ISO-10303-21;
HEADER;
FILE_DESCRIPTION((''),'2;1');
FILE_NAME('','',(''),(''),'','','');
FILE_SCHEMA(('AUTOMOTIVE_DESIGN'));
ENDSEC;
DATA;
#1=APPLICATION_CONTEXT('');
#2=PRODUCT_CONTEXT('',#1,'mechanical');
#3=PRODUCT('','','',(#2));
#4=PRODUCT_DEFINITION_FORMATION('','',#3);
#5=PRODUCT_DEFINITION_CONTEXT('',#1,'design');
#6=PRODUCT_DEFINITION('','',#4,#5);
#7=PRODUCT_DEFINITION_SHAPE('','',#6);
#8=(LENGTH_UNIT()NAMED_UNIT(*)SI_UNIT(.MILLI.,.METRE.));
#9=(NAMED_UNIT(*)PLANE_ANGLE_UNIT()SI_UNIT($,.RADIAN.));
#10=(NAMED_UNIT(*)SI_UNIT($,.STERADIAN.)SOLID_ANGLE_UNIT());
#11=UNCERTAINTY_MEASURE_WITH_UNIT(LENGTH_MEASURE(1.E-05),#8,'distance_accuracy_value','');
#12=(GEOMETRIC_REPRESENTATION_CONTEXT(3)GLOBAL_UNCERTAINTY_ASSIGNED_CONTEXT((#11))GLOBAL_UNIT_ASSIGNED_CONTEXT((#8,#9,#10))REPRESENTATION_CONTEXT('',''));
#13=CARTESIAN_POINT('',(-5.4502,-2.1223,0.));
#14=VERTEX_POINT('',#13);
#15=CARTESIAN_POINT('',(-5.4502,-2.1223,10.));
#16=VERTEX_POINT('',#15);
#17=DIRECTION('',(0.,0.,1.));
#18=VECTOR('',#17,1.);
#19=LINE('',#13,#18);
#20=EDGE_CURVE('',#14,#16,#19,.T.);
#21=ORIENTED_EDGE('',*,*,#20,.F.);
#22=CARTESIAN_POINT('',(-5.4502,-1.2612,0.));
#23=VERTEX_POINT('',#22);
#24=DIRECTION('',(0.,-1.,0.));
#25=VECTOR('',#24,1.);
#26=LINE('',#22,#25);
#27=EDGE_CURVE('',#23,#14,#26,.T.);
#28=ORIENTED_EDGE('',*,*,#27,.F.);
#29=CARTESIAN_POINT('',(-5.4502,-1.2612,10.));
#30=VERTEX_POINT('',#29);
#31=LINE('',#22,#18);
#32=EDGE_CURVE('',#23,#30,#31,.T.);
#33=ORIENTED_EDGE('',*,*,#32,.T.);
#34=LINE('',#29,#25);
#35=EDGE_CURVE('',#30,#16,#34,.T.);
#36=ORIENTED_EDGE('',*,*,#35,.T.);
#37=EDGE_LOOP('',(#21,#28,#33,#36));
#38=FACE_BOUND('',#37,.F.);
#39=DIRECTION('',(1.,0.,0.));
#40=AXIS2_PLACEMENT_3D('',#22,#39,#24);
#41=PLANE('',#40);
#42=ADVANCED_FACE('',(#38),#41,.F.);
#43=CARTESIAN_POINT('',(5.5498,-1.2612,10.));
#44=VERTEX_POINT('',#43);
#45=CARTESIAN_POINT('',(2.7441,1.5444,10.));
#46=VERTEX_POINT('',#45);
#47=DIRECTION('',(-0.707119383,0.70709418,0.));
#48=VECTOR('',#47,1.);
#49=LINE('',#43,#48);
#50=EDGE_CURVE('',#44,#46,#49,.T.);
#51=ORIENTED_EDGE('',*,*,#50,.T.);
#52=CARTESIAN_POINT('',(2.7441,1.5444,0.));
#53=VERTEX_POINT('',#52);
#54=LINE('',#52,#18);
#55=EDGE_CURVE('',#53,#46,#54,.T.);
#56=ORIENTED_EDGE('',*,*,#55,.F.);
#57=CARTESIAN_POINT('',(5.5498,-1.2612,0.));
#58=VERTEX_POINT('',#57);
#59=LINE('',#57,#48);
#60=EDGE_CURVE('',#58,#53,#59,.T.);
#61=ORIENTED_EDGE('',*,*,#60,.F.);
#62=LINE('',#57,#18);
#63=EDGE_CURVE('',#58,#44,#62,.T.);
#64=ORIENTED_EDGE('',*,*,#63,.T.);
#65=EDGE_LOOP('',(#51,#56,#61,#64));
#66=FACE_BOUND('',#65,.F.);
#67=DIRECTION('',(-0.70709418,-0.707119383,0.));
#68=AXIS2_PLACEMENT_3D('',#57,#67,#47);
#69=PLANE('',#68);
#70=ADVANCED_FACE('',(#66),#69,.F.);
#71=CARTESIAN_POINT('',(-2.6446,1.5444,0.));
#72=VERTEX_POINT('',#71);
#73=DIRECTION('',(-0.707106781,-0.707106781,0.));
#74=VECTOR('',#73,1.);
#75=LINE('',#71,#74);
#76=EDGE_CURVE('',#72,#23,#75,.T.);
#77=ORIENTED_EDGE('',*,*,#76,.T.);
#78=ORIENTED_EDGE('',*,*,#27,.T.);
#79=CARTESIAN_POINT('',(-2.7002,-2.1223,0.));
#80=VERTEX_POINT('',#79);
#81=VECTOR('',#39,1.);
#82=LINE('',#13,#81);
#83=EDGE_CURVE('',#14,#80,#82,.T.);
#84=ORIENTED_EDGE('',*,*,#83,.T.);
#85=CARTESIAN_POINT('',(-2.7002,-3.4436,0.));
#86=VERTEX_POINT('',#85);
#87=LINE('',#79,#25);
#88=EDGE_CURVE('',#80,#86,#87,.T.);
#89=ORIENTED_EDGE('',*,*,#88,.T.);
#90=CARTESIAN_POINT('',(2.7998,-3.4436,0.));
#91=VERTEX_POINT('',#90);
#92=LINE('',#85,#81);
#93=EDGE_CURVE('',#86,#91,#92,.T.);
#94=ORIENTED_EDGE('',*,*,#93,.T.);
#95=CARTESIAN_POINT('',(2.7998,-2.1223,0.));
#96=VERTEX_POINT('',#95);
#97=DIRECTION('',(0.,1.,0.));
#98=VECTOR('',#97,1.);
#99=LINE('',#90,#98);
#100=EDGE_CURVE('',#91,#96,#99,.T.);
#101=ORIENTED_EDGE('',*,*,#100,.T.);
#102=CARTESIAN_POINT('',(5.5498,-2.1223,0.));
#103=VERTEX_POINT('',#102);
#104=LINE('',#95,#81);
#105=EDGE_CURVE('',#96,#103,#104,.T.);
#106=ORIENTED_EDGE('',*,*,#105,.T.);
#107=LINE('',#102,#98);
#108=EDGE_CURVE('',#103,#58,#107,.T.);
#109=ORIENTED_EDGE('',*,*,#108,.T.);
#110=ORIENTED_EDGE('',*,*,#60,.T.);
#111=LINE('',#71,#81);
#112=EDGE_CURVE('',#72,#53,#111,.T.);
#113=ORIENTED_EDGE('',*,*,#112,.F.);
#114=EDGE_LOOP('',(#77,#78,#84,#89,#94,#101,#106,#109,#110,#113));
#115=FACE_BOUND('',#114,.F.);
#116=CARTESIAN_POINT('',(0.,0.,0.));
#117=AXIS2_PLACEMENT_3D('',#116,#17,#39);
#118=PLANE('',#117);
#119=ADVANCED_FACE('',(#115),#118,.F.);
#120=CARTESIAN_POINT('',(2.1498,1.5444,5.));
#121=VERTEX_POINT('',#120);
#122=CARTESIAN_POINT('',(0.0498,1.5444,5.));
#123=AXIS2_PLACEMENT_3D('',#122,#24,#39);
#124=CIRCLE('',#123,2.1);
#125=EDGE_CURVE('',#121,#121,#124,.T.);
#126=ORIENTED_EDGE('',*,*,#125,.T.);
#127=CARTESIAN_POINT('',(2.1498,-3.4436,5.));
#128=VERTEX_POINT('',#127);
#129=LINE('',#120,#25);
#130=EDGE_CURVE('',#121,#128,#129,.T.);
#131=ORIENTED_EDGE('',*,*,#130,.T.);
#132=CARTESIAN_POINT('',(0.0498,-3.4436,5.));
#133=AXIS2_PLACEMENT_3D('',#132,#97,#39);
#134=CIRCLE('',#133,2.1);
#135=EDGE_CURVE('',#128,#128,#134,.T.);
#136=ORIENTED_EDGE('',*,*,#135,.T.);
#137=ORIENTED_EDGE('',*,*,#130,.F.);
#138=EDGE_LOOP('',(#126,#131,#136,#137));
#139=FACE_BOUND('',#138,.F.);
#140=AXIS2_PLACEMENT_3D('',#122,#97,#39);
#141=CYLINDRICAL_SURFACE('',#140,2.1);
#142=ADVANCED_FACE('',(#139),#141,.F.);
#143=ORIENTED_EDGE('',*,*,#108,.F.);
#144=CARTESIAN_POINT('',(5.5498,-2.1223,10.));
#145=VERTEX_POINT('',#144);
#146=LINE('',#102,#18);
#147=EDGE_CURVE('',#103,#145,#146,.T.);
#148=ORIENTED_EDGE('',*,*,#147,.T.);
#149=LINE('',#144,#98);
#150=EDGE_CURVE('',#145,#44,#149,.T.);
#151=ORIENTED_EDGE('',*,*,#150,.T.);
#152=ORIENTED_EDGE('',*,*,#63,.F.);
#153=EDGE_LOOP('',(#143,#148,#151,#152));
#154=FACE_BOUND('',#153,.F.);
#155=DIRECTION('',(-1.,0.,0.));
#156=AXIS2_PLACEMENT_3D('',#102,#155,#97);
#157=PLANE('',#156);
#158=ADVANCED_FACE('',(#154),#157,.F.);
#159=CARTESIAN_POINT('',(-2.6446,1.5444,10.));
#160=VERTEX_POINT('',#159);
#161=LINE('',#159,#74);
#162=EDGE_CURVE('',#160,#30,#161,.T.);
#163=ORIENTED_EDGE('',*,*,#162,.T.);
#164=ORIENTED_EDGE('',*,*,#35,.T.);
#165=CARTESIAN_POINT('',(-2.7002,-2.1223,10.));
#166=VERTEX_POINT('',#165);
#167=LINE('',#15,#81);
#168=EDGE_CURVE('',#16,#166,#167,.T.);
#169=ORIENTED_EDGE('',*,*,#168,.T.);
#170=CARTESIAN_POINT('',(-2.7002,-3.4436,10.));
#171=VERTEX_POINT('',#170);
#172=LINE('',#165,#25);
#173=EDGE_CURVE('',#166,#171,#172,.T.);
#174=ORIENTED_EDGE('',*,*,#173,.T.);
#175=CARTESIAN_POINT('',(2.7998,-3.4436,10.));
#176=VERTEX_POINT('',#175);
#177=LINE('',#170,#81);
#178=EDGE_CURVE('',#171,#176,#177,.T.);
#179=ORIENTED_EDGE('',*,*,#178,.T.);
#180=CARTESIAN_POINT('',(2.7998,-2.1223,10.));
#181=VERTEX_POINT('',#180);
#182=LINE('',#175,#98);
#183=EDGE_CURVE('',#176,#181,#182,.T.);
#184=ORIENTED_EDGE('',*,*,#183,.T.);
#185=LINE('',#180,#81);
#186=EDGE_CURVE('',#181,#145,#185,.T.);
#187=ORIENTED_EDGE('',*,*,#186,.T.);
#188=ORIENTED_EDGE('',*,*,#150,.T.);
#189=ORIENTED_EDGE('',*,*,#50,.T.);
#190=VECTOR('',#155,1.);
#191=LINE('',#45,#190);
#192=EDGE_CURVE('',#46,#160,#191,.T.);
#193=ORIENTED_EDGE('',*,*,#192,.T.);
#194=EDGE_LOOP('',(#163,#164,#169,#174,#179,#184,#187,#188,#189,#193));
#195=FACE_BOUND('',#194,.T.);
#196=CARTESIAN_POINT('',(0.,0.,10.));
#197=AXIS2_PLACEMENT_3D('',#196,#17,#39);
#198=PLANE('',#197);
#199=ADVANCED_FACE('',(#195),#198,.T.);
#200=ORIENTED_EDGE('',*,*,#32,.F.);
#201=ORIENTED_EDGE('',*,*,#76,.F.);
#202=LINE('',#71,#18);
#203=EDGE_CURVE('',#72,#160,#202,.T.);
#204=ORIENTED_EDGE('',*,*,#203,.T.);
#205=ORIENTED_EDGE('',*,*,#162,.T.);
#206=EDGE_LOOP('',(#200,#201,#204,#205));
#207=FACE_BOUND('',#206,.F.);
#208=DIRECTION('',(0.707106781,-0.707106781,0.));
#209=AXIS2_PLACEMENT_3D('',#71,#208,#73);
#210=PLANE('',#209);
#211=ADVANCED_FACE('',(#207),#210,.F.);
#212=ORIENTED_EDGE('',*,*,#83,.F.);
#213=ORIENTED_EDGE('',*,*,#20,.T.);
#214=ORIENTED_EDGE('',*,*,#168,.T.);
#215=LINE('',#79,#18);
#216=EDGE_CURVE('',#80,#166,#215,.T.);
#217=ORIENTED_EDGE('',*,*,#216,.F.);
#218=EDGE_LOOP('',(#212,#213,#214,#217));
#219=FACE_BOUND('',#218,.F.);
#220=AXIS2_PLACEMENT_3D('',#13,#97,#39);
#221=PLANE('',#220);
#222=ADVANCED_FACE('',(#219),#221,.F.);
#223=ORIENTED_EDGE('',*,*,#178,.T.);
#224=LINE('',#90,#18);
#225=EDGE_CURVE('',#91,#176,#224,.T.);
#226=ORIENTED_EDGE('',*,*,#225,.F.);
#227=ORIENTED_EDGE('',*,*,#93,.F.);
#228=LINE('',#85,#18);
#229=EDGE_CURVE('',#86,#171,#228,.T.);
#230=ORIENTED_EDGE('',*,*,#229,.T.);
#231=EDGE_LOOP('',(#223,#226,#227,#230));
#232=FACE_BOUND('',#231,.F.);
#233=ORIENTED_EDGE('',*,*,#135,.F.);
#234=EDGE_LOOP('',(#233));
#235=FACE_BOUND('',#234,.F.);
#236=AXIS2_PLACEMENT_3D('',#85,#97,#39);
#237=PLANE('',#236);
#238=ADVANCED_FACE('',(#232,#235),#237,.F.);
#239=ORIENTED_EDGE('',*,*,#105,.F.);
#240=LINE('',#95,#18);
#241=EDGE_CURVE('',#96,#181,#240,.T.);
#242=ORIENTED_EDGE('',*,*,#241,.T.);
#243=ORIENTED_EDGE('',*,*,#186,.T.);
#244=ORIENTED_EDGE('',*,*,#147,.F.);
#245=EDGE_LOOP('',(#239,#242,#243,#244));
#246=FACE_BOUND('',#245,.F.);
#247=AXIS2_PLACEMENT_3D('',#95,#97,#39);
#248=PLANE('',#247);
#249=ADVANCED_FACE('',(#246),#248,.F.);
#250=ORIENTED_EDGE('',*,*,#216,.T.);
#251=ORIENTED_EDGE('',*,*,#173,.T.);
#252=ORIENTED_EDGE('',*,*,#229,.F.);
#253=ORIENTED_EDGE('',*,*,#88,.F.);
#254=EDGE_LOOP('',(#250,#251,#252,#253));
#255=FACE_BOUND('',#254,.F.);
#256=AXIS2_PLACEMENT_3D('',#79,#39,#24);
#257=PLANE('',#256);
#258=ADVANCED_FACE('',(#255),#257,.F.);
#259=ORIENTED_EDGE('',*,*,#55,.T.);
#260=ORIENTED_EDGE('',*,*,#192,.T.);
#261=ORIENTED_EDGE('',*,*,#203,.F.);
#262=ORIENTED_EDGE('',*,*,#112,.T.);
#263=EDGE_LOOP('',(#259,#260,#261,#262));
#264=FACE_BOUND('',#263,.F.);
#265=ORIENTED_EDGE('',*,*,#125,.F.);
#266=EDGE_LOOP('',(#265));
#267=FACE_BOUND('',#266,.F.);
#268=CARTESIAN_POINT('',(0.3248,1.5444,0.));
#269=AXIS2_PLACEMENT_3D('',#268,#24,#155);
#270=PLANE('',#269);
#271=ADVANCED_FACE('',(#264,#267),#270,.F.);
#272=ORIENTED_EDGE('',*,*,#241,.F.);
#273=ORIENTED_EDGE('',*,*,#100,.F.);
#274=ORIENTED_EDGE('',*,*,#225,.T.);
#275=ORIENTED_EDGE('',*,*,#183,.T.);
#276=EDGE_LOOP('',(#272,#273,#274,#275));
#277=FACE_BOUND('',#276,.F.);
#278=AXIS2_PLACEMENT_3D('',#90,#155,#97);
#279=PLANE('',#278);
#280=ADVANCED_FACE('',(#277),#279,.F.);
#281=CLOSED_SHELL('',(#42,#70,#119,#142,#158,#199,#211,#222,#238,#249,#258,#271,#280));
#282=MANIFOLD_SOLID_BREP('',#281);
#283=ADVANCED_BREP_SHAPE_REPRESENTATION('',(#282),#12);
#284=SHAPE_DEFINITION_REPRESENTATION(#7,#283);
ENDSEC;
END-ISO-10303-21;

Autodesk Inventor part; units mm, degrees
ref_plane "YZ Plane" through (0, 0, 0) normal (1, 0, 0) x (0, 1, 0)
ref_plane "XZ Plane" through (0, 0, 0) normal (0, 1, 0) x (-1, 0, 0)
ref_plane "XY Plane" through (0, 0, 0) normal (0, 0, 1) x (1, 0, 0)
sketch "Skizze1" plane through (0, 0, 0) normal (0, 0, 1) x (1, 0, 0)
  line L0 (-2.7002, -2.1223) -> (-2.7002, -3.4436)
  line L1 (-5.4502, -2.1223) -> (-2.7002, -2.1223)
  line L2 (-5.4502, -1.2612) -> (-5.4502, -2.1223)
  line L3 (-2.6446, 1.5444) -> (-5.4502, -1.2612)
  line L4 (0.3248, 1.5444) -> (-2.6446, 1.5444)
  line L5 (2.7441, 1.5444) -> (0.3248, 1.5444)
  line L6 (5.5498, -1.2612) -> (2.7441, 1.5444)
  line L7 (5.5498, -2.1223) -> (5.5498, -1.2612)
  line L8 (2.7998, -2.1223) -> (5.5498, -2.1223)
  line L9 (2.7998, -3.4436) -> (2.7998, -2.1223)
  line L10 (-2.7002, -3.4436) -> (2.7998, -3.4436)
  point P0 (0, 0)
  dimension "d0" = 11
  dimension "d1" = 1.5444
extrude "Extrusion1" add sketch "Skizze1" along normal blind 10
sketch "Skizze2" plane through (-2.6446, 1.5444, 0) normal (0, 1, 0) x (1, 0, 0)
  line L0 (5.3888, 0) -> (0, 0) projected
  line L1 (0, 0) -> (0, -10) projected
  line L2 (5.3888, -10) -> (0, -10) projected
  line L3 (5.3888, 0) -> (5.3888, -10) projected
  circle A0 centre (2.6944, -5) radius 2.1
  point P0 (2.6446, 0)
  dimension "d4" = 4.2
extrude "Extrusion2" cut sketch "Skizze2" against normal up to surface (4.988 mm away) contours A0
properties part number "T-Brick"
